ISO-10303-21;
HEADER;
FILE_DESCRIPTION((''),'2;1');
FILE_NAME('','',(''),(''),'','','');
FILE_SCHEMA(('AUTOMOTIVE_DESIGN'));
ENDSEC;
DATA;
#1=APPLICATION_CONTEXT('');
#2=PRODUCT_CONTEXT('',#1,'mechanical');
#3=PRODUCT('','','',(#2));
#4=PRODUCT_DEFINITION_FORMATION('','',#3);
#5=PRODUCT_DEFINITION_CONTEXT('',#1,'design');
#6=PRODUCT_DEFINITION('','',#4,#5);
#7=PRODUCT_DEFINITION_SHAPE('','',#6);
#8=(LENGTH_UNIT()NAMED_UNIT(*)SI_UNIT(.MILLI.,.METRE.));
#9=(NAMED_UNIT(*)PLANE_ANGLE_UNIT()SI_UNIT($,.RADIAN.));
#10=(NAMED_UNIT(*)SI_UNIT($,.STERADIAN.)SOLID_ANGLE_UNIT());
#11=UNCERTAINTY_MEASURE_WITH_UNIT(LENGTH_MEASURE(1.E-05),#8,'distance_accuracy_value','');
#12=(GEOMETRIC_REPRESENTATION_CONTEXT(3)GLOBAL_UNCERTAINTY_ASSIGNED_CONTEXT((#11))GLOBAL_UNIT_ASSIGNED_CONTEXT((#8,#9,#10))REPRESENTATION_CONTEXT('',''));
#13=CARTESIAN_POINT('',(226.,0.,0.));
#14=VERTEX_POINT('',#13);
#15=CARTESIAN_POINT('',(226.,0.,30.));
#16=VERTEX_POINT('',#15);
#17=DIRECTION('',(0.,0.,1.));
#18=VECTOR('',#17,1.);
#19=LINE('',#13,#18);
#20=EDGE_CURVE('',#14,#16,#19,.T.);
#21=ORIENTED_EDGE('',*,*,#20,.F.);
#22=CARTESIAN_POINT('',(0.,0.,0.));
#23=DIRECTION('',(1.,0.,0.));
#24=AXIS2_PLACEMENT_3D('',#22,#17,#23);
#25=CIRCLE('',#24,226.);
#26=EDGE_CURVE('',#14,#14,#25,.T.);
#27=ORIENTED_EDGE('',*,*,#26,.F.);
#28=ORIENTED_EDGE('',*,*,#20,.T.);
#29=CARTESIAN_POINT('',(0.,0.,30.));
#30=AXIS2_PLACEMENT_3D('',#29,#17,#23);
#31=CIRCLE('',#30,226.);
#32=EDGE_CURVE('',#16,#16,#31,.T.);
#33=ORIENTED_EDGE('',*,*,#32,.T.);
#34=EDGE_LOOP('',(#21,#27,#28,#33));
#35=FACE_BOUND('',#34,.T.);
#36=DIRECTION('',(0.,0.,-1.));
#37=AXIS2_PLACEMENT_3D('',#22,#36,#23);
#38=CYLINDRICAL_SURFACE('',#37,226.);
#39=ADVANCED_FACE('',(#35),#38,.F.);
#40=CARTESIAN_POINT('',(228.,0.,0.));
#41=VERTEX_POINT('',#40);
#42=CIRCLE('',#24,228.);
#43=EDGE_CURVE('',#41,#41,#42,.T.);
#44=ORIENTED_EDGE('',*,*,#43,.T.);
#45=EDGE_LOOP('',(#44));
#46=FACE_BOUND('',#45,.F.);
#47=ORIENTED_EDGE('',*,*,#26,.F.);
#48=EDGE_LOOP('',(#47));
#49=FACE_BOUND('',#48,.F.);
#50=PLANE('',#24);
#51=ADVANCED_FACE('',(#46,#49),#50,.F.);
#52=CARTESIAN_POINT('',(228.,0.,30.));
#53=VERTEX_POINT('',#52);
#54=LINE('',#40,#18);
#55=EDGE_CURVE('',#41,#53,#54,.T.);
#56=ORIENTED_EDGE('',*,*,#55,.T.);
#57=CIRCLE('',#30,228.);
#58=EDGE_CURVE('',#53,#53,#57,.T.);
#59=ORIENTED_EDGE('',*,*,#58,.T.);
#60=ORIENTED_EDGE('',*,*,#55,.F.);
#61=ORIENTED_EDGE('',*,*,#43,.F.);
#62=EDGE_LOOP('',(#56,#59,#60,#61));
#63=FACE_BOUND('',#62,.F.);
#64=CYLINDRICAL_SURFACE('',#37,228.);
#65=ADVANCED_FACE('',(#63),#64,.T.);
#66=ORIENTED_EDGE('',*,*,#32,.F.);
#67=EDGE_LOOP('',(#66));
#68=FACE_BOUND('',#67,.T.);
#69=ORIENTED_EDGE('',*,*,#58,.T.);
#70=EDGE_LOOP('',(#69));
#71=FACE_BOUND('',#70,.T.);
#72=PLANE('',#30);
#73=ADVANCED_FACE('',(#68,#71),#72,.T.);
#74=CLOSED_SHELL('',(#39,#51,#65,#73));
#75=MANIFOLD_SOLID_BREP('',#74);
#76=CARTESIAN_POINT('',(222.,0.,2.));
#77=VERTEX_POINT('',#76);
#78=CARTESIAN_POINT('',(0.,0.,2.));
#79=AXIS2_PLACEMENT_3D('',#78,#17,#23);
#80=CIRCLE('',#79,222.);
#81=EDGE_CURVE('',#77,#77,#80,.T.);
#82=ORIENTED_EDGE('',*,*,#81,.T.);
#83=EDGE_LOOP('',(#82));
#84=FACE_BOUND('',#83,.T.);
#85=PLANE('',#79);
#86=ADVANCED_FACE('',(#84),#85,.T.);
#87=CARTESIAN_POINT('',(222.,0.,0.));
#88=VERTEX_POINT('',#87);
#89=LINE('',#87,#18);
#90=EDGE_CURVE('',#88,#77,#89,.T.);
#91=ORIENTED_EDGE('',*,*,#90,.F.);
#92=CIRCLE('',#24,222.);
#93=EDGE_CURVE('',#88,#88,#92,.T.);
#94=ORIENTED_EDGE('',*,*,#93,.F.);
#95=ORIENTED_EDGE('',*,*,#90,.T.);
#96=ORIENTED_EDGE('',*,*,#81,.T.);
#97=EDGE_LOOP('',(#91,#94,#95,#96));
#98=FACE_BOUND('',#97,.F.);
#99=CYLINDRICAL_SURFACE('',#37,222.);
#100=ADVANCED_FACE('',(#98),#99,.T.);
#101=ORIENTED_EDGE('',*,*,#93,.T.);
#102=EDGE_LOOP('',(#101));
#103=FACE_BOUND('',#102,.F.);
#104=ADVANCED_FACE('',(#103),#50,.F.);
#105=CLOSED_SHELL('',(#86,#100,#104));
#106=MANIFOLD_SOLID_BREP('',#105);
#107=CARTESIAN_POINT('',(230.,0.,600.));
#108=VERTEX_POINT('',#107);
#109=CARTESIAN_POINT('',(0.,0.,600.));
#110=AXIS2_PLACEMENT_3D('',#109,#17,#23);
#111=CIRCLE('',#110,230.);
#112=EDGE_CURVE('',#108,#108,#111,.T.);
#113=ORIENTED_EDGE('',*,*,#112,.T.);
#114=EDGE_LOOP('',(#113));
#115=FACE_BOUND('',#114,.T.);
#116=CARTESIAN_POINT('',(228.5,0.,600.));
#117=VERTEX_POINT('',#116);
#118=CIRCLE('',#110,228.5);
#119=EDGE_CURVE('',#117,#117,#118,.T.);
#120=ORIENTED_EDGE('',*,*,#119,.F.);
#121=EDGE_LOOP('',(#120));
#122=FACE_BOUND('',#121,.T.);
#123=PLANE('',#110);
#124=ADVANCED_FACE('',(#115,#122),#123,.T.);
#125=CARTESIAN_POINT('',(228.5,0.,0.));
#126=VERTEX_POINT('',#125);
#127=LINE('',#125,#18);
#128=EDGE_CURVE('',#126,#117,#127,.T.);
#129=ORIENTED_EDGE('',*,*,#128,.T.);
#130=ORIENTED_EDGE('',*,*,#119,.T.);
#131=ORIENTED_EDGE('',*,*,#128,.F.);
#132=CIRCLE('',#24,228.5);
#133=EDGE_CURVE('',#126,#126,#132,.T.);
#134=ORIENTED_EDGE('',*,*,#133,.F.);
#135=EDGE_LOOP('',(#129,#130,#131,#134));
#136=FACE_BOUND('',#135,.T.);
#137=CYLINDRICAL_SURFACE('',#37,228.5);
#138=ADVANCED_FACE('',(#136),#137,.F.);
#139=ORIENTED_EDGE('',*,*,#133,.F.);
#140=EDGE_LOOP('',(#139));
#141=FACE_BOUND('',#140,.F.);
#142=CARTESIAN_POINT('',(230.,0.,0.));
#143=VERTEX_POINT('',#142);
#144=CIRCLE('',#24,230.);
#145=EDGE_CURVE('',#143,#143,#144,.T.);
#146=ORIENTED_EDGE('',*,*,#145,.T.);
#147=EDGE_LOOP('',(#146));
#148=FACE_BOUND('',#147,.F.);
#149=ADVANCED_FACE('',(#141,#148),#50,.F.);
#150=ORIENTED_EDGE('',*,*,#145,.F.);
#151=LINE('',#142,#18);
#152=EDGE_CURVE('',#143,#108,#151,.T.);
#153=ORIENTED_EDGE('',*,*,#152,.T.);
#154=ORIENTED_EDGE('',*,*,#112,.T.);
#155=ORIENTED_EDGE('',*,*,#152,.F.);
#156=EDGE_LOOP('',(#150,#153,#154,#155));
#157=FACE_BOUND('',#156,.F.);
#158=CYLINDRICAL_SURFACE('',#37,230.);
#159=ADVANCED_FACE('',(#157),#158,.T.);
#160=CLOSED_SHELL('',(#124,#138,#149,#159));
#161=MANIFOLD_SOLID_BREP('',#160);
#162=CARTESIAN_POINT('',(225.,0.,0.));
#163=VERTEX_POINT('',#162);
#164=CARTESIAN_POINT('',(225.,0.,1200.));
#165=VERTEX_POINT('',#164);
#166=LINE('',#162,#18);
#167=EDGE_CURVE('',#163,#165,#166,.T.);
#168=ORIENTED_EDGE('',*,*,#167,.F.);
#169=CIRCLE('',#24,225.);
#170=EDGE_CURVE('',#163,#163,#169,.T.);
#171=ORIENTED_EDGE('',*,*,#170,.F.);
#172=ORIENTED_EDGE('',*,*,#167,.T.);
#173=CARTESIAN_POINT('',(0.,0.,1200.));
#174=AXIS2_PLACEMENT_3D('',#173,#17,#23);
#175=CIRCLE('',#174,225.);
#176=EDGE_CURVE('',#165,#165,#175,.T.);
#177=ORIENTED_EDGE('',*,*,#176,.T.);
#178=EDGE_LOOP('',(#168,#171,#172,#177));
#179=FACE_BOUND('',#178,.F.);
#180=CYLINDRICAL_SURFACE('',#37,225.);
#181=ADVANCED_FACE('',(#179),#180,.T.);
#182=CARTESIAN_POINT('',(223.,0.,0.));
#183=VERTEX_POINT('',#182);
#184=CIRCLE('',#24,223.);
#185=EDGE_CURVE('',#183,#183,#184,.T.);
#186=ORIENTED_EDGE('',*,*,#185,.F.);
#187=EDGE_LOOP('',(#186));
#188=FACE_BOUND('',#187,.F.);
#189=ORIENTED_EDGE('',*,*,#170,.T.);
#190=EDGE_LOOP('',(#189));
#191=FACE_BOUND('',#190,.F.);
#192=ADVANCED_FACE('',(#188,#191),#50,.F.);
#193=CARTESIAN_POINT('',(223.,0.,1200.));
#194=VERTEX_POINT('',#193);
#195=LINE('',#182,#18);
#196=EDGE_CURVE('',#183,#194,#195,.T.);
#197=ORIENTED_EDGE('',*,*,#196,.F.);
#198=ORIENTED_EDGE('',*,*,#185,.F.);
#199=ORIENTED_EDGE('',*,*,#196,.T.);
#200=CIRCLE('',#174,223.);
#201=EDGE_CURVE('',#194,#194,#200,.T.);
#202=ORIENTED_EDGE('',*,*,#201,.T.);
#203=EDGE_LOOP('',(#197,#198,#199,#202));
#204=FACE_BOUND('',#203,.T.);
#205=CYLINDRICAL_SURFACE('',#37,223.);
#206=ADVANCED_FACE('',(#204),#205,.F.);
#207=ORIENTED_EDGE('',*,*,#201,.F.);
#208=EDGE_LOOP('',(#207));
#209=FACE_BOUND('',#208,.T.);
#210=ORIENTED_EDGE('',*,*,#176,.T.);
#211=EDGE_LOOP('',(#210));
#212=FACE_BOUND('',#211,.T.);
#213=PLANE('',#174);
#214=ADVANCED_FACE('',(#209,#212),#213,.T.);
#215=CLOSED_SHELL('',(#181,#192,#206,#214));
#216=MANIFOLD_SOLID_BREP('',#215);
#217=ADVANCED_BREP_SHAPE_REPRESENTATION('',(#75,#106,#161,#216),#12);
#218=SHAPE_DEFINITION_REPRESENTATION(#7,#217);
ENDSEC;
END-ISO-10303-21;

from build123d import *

# Parameters (mm, degrees)
F0_R     = 230
F0_R_2   = 228.5
F1_DEPTH = 600
F2_R     = 222
F3_DEPTH = 2
F4_R     = 228
F4_R_2   = 226
F5_DEPTH = 30
F6_R     = 225
F6_R_2   = 223
F7_DEPTH = 1200


with BuildPart() as f1:
    # F0 (on Top) → F1 (new body)
    with BuildSketch(Plane.XY):
        Circle(F0_R)
        Circle(F0_R_2, mode=Mode.SUBTRACT)
    extrude(amount=F1_DEPTH)


with BuildPart() as f3:
    # F2 (on Top) → F3 (new body)
    with BuildSketch(Plane.XY):
        Circle(F2_R)
    extrude(amount=F3_DEPTH)


with BuildPart() as f5:
    # F4 (on Top) → F5 (new body)
    with BuildSketch(Plane.XY):
        Circle(F4_R)
        Circle(F4_R_2, mode=Mode.SUBTRACT)
    extrude(amount=F5_DEPTH)


with BuildPart() as f7:
    # F6 (on Top) → F7 (new body)
    with BuildSketch(Plane.XY):
        Circle(F6_R)
        Circle(F6_R_2, mode=Mode.SUBTRACT)
    extrude(amount=F7_DEPTH)


solid = Compound([f1.part, f3.part, f5.part, f7.part])
